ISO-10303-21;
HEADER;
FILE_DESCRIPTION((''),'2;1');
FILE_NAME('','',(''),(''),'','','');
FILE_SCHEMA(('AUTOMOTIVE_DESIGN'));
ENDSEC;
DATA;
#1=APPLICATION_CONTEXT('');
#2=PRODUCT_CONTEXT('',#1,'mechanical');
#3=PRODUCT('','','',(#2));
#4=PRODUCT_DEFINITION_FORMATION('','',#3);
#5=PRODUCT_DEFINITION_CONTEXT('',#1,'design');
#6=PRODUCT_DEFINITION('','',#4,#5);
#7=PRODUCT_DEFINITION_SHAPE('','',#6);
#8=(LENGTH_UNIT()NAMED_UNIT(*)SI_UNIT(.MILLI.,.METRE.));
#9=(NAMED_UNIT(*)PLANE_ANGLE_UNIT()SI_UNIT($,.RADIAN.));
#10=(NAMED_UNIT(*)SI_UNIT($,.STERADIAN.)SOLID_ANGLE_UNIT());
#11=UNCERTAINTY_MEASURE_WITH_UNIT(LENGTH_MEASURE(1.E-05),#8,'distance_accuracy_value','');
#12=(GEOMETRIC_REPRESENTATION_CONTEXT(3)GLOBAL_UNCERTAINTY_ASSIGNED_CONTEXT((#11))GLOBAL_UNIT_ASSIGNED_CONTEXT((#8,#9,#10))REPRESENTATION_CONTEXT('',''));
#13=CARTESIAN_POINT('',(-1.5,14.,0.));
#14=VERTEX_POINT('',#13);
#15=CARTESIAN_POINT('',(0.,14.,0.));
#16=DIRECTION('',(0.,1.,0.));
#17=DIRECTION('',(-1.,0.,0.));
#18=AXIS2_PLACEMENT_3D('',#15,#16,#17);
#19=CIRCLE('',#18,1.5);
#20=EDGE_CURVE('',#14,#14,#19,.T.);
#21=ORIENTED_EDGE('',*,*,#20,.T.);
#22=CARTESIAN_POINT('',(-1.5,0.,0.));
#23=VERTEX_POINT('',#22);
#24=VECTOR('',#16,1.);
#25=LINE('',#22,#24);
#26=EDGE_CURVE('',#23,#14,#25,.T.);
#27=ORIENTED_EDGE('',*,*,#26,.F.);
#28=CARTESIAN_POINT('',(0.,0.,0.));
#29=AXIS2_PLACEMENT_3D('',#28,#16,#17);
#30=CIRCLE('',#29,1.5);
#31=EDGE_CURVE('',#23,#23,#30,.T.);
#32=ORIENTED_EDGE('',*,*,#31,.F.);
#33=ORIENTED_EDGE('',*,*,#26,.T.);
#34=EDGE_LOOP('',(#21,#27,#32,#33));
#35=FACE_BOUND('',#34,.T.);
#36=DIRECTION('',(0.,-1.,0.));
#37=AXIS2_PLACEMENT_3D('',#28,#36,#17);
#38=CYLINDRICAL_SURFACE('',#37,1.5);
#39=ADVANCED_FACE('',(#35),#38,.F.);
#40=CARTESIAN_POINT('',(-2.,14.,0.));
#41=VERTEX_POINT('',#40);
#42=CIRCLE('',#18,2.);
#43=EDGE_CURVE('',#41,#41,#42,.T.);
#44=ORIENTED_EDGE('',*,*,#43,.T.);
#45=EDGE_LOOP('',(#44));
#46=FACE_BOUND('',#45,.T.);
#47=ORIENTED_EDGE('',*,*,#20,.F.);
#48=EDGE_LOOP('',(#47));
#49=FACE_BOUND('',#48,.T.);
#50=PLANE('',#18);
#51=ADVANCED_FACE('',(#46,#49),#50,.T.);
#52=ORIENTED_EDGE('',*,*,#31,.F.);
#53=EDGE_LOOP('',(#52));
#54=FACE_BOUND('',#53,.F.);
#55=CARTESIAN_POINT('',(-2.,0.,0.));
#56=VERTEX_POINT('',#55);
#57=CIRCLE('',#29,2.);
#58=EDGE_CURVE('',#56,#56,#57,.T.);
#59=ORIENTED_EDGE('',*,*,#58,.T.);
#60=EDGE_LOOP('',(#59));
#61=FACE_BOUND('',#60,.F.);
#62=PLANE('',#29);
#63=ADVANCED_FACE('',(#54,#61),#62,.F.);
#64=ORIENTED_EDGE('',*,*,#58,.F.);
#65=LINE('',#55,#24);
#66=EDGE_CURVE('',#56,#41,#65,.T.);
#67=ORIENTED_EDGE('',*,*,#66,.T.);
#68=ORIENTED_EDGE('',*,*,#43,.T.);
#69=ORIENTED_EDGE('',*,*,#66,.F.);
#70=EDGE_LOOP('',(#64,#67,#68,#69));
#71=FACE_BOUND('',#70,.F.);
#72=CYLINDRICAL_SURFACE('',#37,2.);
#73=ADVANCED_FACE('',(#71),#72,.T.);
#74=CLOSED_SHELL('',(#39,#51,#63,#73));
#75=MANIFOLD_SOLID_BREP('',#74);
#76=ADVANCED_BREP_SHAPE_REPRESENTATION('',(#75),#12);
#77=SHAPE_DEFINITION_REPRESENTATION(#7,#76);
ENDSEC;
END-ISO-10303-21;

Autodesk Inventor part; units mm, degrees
ref_plane "YZ Plane" through (0, 0, 0) normal (1, 0, 0) x (0, 1, 0)
ref_plane "XZ Plane" through (0, 0, 0) normal (0, 1, 0) x (-1, 0, 0)
ref_plane "XY Plane" through (0, 0, 0) normal (0, 0, 1) x (1, 0, 0)
sketch "スケッチ1" plane through (0, 0, 0) normal (0, 1, 0) x (-1, 0, 0)
  circle A0 centre (0, 0) radius 1.5
  circle A1 centre (0, 0) radius 2
  dimension "d0" = 3
  dimension "d1" = 4
extrude "押し出し1" add sketch "スケッチ1" along normal blind 14
properties part number "main_pcb_spacer" material "真鍮、ソフト イエロー"
